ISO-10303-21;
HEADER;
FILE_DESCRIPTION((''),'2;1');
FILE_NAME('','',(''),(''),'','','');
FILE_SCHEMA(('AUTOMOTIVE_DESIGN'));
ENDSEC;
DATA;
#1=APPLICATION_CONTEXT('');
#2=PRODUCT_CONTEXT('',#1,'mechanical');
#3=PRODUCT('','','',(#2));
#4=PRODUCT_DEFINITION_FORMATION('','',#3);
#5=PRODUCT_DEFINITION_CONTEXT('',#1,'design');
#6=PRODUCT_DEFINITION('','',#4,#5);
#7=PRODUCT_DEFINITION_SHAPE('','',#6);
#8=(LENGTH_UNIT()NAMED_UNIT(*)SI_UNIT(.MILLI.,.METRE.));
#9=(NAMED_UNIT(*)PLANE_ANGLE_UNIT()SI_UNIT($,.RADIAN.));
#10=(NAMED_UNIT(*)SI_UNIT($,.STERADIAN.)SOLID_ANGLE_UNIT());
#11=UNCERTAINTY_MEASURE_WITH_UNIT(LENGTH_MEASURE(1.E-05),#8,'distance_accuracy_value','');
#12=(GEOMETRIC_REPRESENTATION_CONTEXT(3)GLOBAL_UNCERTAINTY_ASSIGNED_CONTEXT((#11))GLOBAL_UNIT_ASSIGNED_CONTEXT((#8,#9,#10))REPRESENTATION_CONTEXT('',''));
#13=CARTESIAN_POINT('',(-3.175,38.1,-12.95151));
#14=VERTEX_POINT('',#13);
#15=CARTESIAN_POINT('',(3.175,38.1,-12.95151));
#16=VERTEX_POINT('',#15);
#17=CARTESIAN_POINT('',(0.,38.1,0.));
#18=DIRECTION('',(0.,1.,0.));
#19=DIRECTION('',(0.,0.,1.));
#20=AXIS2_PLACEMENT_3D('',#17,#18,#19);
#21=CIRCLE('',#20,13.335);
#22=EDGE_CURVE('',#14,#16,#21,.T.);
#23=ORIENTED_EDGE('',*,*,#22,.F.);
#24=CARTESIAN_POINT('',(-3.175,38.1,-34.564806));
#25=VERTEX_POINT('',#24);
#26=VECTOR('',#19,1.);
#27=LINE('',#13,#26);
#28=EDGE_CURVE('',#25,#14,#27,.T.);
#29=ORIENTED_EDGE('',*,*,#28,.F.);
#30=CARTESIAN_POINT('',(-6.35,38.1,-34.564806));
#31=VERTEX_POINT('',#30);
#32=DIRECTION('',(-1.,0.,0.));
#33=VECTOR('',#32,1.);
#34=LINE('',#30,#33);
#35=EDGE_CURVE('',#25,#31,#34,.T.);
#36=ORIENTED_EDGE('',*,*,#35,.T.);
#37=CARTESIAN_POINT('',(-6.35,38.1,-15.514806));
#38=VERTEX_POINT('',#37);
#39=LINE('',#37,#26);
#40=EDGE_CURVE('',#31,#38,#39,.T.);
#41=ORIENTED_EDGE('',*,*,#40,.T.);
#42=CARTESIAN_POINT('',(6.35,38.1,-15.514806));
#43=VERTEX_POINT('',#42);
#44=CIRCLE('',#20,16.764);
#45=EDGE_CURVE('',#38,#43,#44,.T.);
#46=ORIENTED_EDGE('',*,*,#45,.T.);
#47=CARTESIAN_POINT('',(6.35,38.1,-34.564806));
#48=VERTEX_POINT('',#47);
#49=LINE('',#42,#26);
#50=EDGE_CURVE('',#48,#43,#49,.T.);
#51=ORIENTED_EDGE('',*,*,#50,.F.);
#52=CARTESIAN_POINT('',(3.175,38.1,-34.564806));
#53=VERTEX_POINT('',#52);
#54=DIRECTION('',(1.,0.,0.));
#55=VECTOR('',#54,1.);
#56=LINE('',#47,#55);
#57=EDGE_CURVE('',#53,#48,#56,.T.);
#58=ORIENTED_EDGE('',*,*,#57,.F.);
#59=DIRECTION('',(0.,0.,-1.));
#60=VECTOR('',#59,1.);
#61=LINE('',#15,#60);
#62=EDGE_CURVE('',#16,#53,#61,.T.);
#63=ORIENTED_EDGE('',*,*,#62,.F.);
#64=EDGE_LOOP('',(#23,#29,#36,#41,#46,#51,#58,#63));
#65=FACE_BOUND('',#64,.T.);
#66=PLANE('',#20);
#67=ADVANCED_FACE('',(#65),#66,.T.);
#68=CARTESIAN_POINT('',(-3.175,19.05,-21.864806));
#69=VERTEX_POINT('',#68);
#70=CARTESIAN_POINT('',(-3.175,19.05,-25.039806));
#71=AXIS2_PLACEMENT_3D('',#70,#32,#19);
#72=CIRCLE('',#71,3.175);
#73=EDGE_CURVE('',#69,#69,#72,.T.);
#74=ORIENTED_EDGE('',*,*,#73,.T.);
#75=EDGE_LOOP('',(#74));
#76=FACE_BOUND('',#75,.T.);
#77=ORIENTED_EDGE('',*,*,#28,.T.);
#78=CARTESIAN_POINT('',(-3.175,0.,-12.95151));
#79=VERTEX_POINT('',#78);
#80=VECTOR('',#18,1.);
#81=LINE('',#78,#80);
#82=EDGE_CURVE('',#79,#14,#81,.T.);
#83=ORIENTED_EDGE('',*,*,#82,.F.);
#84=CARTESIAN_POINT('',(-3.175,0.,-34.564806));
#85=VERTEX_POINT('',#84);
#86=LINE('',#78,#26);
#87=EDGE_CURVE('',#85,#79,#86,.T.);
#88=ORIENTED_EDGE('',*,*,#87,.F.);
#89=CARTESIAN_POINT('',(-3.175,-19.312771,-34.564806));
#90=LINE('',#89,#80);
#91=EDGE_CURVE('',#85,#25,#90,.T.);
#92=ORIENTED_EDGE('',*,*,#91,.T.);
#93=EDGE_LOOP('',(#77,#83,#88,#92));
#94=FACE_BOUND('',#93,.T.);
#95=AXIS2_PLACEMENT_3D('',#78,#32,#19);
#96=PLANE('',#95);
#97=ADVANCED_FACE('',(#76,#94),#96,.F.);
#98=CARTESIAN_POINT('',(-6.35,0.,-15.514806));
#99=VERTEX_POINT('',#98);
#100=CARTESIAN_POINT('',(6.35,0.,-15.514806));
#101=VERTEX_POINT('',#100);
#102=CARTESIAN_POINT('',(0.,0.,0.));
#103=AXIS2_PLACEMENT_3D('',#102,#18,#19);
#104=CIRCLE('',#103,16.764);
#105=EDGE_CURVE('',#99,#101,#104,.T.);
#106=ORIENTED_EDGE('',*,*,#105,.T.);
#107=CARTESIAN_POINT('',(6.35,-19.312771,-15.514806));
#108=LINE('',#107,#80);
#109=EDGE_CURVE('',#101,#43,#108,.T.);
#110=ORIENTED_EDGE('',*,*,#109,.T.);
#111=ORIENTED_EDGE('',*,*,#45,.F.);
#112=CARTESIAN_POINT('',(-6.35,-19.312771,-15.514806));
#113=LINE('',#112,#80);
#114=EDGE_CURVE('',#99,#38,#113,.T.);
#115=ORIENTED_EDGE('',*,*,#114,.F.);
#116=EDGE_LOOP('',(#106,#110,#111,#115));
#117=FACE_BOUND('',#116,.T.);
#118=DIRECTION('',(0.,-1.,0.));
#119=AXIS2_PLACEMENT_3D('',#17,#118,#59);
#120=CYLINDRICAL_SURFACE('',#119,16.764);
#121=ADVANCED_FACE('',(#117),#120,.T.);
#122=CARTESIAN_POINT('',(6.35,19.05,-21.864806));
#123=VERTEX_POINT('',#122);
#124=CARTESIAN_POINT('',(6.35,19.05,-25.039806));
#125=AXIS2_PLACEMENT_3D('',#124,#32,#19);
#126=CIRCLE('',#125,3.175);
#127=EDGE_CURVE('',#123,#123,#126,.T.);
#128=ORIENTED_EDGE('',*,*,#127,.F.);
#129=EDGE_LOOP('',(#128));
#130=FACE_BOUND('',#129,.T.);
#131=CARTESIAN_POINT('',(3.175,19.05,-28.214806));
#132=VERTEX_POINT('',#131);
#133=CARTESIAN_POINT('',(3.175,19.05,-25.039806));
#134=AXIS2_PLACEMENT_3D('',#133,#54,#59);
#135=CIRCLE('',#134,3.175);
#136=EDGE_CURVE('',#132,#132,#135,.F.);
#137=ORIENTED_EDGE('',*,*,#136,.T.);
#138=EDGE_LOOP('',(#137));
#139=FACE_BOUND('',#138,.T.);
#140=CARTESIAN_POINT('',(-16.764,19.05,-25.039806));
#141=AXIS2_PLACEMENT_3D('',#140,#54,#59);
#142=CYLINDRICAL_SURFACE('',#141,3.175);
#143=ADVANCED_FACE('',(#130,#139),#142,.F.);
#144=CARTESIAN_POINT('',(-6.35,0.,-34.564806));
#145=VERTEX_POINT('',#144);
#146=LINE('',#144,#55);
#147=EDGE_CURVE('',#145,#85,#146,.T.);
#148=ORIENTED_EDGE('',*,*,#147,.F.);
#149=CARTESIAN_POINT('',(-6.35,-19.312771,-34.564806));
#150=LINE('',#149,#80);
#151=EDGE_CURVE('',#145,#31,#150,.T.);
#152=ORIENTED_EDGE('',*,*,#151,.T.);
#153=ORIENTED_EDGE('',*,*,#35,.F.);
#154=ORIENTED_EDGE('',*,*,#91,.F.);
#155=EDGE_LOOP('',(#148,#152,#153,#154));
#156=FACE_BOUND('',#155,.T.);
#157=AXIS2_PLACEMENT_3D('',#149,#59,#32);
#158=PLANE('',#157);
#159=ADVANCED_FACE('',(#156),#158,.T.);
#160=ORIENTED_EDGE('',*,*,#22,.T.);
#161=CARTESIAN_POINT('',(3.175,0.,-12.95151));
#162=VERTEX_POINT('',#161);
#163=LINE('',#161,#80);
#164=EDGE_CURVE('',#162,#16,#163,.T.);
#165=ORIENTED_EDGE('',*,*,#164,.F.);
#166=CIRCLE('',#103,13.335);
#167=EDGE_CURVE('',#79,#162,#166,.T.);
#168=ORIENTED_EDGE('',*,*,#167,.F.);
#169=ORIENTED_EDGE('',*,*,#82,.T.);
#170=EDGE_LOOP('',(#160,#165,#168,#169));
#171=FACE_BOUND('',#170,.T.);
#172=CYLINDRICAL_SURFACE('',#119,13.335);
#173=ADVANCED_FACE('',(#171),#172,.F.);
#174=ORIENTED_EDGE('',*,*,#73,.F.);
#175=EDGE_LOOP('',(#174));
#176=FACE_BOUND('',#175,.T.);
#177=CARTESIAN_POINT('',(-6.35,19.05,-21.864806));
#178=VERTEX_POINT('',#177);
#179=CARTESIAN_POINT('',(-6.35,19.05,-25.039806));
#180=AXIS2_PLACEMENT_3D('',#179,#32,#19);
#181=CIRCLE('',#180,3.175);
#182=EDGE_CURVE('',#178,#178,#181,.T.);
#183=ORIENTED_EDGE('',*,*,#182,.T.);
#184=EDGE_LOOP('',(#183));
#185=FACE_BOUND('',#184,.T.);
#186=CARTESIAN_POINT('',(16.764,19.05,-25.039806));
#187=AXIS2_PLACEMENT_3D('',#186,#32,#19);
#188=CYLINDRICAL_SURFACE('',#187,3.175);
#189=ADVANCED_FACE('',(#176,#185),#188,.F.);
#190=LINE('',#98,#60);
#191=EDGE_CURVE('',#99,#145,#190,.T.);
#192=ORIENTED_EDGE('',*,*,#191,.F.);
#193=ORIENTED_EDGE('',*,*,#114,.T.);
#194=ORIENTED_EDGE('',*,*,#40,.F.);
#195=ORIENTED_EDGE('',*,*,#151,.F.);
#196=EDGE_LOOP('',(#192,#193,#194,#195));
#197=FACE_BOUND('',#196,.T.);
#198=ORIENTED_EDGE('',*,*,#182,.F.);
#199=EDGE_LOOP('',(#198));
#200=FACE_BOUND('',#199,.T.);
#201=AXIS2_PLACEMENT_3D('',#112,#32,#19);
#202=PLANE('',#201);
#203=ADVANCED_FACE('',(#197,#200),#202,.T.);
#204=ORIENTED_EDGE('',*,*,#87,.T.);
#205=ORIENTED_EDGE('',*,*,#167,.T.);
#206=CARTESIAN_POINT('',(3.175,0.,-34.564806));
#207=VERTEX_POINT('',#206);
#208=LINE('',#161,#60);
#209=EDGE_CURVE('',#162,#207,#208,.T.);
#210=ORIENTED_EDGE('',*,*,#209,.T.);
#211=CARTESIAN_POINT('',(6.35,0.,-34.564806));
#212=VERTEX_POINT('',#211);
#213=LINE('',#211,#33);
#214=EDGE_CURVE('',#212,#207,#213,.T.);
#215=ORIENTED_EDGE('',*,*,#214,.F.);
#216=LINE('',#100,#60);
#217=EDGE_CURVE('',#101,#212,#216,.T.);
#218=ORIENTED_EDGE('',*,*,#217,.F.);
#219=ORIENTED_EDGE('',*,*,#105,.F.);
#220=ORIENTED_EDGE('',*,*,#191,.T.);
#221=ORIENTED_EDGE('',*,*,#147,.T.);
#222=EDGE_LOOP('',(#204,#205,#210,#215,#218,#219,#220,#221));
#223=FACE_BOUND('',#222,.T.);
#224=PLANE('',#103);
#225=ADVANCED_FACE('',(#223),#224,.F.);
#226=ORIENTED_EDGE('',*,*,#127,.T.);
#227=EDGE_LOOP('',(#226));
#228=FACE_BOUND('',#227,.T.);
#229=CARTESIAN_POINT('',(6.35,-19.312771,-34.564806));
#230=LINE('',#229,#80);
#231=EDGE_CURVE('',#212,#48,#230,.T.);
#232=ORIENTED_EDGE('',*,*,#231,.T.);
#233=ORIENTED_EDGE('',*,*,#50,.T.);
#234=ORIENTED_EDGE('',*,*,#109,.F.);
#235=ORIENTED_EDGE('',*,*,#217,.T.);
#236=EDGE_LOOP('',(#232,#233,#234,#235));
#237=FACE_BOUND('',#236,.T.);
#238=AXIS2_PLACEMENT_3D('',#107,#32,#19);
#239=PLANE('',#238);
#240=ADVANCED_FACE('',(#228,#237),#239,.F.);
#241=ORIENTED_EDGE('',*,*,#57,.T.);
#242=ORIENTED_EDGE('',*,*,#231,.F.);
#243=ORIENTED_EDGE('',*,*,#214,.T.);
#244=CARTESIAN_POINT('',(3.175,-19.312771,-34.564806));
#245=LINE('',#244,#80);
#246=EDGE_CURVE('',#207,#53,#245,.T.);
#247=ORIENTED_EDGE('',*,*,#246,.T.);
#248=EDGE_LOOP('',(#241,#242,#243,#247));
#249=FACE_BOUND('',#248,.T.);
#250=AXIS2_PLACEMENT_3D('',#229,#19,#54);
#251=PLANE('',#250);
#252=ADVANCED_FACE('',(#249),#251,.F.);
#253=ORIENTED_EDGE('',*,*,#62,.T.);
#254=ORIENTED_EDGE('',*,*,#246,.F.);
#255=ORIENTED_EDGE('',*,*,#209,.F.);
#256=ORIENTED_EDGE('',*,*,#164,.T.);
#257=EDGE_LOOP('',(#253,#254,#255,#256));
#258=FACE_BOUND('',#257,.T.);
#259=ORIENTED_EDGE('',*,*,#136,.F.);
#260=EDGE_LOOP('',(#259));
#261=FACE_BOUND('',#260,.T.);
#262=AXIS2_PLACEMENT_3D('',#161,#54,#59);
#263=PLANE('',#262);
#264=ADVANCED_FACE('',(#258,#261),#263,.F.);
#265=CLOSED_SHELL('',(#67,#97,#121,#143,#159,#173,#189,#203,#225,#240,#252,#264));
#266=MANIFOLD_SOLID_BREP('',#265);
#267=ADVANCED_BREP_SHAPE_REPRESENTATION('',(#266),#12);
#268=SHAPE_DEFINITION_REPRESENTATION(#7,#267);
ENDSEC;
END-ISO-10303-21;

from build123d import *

# Parameters (mm, degrees)
SKETCH1_R           = 16.764
SKETCH1_R_2         = 13.335
BOSS_EXTRUDE1_DEPTH = 38.1
SKETCH2_W           = 6.35
SKETCH2_H           = 3.812490435
CUT_EXTRUDE1_DEPTH  = 45.873972322
SKETCH3_W           = 3.175
SKETCH3_H           = 19.05
BOSS_EXTRUDE2_DEPTH = 38.1
SKETCH4_R           = 3.175
CUT_EXTRUDE2_DEPTH  = 57.396744492


with BuildPart() as part:
    # Sketch1 → Boss-Extrude1 (new body)
    with BuildSketch(Plane(origin=(0, 0, 0), x_dir=(1, 0, 0), z_dir=(0, 1, 0))):
        with Locations(Location((0, 0, 0), (0, 0, 90))):
            Circle(SKETCH1_R)
        with Locations(Location((0, 0, 0), (0, 0, 90))):
            Circle(SKETCH1_R_2, mode=Mode.SUBTRACT)
    extrude(amount=BOSS_EXTRUDE1_DEPTH)

    # Sketch2 → Cut-Extrude1 (cut, through all)
    with BuildSketch(Plane(origin=(0, 38.1, 0), x_dir=(1, 0, 0), z_dir=(0, 1, 0))):
        with Locations((0, 14.857754782)):
            Rectangle(SKETCH2_W, SKETCH2_H)
    extrude(amount=-CUT_EXTRUDE1_DEPTH, mode=Mode.SUBTRACT)

    # Sketch3 → Boss-Extrude2 (add)
    with BuildSketch(Plane(origin=(0, 38.1, 0), x_dir=(1, 0, 0), z_dir=(0, 1, 0))):
        with Locations((-4.7625, 25.039805703)):
            Rectangle(SKETCH3_W, SKETCH3_H)
    boss_extrude2 = extrude(amount=-BOSS_EXTRUDE2_DEPTH)

    # Sketch4 → Cut-Extrude2 (cut, through all)
    with BuildSketch(Plane.ZY.offset(6.35)):
        with Locations((-25.039805703, 19.05)):
            Circle(SKETCH4_R)
    cut_extrude2 = extrude(amount=-CUT_EXTRUDE2_DEPTH, mode=Mode.SUBTRACT)

    # Mirror1: Boss-Extrude2, Cut-Extrude2 across plane
    add(boss_extrude2.mirror(Plane(origin=(0, 0, 0), x_dir=(0, 0, 1), z_dir=(1, 0, 0))))
    add(cut_extrude2.mirror(Plane(origin=(0, 0, 0), x_dir=(0, 0, 1), z_dir=(1, 0, 0))), mode=Mode.SUBTRACT)


solid = part.part
